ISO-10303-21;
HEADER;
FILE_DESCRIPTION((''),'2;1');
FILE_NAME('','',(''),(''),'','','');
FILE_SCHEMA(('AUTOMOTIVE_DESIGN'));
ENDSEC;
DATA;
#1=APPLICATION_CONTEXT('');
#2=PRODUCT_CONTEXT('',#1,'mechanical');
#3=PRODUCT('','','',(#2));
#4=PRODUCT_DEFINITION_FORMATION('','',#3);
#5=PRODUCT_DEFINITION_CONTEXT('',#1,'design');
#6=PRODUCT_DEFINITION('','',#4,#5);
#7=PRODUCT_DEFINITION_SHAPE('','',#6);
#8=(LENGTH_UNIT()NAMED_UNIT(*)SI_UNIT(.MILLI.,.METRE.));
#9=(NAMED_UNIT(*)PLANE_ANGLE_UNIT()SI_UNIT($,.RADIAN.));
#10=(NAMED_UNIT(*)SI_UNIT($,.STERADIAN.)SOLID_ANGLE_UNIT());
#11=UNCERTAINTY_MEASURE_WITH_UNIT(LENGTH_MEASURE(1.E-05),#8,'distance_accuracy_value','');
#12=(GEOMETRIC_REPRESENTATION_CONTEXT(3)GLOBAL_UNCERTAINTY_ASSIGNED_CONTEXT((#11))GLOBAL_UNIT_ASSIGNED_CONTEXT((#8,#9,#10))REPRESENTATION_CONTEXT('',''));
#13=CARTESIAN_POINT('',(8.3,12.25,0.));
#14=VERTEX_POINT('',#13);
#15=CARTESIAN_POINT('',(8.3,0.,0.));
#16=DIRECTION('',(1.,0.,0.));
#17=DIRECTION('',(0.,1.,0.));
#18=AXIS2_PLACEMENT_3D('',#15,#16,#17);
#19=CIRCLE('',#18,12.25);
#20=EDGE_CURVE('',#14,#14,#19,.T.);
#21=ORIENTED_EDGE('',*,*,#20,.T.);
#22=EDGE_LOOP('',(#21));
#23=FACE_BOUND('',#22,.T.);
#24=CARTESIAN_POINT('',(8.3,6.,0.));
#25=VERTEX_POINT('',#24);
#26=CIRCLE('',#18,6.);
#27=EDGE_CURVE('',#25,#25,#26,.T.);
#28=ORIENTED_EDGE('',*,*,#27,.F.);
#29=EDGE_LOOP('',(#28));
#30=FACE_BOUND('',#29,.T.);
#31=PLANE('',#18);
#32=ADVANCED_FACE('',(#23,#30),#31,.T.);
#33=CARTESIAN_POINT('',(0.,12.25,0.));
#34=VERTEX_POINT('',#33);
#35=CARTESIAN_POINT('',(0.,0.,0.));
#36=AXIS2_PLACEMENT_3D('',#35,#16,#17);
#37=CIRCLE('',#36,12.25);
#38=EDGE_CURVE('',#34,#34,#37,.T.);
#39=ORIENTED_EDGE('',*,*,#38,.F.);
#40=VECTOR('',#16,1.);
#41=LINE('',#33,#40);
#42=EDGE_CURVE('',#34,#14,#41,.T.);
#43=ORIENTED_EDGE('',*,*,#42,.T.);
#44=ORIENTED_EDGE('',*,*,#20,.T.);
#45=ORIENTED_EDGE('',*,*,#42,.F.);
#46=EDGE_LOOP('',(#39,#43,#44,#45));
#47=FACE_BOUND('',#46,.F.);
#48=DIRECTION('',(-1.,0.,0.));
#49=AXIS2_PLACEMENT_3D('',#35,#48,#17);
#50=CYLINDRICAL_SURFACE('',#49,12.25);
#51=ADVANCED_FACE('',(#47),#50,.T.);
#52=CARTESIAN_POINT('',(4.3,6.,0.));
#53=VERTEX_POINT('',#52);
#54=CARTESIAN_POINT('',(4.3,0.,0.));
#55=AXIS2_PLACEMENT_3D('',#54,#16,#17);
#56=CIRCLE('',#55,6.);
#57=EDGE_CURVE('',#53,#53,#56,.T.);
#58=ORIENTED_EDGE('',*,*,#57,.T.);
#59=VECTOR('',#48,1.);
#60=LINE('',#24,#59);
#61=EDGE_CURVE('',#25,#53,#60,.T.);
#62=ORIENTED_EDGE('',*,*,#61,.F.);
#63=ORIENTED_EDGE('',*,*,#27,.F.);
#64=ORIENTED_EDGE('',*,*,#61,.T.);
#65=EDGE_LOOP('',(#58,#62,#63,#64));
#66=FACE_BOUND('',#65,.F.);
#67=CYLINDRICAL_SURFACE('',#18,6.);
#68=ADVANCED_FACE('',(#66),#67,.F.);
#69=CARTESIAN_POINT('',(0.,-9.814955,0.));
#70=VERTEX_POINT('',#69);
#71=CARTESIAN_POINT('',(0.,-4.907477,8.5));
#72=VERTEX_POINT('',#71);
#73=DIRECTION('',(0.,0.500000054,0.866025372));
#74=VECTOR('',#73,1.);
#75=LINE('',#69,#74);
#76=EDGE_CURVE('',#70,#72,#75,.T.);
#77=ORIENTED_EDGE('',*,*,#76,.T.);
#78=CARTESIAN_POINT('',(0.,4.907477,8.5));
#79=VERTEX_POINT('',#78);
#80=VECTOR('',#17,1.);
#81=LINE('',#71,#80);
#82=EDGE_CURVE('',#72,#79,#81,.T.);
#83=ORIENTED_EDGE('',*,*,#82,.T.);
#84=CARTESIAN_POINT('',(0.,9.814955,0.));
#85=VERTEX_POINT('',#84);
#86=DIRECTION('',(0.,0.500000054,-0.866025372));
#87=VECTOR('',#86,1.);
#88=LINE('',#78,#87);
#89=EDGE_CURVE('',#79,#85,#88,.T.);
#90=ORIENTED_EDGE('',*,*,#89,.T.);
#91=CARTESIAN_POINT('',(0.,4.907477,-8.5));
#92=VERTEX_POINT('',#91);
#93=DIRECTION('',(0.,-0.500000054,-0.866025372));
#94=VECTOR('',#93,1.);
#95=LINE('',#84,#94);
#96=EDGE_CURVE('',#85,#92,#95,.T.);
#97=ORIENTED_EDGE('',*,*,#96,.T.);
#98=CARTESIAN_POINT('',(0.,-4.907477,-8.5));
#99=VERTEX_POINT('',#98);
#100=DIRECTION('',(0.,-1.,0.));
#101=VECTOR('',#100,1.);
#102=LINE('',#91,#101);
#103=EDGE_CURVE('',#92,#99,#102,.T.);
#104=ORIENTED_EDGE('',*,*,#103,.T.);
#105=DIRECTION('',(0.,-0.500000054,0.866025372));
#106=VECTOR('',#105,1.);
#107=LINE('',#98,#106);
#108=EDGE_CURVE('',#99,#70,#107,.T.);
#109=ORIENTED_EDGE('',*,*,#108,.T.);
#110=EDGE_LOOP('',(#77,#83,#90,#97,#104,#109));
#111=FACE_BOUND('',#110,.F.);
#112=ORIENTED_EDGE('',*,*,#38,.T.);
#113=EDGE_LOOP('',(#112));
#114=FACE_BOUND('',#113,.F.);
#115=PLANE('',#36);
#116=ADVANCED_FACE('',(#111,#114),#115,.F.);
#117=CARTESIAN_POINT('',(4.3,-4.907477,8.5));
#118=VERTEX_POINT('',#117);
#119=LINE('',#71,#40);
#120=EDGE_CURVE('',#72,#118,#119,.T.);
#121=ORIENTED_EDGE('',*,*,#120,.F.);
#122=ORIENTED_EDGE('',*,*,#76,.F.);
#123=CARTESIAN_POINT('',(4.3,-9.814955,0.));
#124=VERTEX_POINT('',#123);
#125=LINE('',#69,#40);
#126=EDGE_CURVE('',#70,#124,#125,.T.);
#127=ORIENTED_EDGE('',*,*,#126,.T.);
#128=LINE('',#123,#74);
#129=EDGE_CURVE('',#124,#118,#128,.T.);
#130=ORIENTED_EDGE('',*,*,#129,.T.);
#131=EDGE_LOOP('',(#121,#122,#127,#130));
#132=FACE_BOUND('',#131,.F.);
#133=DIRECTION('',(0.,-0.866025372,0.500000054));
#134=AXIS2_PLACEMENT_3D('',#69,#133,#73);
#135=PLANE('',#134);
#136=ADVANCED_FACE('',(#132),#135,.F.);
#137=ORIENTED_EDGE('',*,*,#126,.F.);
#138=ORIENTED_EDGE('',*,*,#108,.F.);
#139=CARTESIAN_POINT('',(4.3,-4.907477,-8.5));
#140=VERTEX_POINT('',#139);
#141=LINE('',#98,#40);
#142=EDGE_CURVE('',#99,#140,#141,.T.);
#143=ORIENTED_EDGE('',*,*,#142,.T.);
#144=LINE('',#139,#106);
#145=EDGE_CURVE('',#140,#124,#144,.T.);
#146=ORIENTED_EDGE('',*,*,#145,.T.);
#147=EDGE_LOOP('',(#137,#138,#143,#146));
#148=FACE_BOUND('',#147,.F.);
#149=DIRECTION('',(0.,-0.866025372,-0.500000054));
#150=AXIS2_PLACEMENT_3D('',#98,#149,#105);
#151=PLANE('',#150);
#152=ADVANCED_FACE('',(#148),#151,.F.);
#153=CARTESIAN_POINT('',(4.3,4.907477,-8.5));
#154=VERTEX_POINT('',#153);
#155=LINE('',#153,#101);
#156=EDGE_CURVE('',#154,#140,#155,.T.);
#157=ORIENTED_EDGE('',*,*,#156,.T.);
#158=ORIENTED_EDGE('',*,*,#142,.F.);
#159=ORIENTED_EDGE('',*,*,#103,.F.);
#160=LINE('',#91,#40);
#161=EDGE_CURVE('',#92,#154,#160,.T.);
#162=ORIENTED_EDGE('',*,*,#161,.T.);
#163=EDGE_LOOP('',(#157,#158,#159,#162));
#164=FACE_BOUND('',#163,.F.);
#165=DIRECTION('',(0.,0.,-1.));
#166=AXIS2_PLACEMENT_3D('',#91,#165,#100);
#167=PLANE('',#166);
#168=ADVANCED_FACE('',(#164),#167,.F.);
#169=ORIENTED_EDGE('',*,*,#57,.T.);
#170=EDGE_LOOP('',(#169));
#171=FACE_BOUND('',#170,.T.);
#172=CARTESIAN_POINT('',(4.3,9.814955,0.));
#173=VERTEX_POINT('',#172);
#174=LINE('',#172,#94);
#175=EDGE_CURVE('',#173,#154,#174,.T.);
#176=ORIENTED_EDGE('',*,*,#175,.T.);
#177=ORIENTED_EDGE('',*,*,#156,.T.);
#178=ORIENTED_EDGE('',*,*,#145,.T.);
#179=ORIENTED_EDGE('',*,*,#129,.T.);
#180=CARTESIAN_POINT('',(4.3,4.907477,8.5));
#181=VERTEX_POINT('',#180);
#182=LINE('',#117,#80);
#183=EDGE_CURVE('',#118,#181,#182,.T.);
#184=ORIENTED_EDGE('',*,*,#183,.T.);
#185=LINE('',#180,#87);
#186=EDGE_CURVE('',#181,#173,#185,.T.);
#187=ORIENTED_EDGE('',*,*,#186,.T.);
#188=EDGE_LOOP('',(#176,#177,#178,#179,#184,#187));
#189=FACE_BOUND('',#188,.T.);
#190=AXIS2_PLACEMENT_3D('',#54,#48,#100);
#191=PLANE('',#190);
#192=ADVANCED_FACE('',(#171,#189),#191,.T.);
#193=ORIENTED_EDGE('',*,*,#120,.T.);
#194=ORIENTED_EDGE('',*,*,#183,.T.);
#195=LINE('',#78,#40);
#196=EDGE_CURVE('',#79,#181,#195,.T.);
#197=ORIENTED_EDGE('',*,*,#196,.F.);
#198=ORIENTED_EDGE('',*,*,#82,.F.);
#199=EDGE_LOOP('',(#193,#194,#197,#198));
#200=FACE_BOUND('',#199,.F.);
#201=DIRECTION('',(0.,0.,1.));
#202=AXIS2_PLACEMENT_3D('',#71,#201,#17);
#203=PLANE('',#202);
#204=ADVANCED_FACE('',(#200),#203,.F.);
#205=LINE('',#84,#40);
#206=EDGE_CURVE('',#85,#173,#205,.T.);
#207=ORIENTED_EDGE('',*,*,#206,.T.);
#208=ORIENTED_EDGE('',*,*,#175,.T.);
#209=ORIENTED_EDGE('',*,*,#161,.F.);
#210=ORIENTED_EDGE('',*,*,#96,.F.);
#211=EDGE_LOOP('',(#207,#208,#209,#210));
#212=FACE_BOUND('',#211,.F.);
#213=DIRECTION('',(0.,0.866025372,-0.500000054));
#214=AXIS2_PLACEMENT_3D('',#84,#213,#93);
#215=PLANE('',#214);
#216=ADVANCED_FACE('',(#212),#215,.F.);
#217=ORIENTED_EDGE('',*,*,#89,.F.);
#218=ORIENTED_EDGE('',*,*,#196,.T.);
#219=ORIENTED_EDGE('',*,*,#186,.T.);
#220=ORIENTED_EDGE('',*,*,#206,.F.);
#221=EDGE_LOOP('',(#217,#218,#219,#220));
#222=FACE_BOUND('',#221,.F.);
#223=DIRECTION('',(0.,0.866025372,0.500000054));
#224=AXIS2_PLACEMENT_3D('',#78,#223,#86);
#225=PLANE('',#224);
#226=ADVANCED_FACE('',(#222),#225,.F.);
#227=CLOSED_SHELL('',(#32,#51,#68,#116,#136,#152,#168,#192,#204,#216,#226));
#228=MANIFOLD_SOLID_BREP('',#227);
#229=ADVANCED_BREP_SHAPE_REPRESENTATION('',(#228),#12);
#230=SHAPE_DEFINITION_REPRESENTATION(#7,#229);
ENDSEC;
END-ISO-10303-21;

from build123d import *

# Parameters (mm, degrees)
F0_R     = 12.25
F1_DEPTH = 8.3
F2_R     = 6
F3_DEPTH = 8.301
F5_DEPTH = 4.3


with BuildPart() as f1:
    # F0 (on Right) → F1 (new body)
    with BuildSketch(Plane.YZ):
        Circle(F0_R)
    extrude(amount=F1_DEPTH)

    # F2 (on face) → F3 (cut, through all)
    with BuildSketch(Plane.YZ.offset(8.3)):
        Circle(F2_R)
    extrude(amount=-F3_DEPTH, mode=Mode.SUBTRACT)

    # F4 (on face) → F5 (cut)
    with BuildSketch(Plane(origin=(0, 0, 0), x_dir=(0, -1, 0), z_dir=(-1, 0, 0))):
        Polygon((4.907477, 8.5), (-4.907477, 8.5), (-9.814955, 0), (-4.907477, -8.5), (4.907477, -8.5), (9.814955, 0), align=None)
    extrude(amount=-F5_DEPTH, mode=Mode.SUBTRACT)


solid = f1.part
